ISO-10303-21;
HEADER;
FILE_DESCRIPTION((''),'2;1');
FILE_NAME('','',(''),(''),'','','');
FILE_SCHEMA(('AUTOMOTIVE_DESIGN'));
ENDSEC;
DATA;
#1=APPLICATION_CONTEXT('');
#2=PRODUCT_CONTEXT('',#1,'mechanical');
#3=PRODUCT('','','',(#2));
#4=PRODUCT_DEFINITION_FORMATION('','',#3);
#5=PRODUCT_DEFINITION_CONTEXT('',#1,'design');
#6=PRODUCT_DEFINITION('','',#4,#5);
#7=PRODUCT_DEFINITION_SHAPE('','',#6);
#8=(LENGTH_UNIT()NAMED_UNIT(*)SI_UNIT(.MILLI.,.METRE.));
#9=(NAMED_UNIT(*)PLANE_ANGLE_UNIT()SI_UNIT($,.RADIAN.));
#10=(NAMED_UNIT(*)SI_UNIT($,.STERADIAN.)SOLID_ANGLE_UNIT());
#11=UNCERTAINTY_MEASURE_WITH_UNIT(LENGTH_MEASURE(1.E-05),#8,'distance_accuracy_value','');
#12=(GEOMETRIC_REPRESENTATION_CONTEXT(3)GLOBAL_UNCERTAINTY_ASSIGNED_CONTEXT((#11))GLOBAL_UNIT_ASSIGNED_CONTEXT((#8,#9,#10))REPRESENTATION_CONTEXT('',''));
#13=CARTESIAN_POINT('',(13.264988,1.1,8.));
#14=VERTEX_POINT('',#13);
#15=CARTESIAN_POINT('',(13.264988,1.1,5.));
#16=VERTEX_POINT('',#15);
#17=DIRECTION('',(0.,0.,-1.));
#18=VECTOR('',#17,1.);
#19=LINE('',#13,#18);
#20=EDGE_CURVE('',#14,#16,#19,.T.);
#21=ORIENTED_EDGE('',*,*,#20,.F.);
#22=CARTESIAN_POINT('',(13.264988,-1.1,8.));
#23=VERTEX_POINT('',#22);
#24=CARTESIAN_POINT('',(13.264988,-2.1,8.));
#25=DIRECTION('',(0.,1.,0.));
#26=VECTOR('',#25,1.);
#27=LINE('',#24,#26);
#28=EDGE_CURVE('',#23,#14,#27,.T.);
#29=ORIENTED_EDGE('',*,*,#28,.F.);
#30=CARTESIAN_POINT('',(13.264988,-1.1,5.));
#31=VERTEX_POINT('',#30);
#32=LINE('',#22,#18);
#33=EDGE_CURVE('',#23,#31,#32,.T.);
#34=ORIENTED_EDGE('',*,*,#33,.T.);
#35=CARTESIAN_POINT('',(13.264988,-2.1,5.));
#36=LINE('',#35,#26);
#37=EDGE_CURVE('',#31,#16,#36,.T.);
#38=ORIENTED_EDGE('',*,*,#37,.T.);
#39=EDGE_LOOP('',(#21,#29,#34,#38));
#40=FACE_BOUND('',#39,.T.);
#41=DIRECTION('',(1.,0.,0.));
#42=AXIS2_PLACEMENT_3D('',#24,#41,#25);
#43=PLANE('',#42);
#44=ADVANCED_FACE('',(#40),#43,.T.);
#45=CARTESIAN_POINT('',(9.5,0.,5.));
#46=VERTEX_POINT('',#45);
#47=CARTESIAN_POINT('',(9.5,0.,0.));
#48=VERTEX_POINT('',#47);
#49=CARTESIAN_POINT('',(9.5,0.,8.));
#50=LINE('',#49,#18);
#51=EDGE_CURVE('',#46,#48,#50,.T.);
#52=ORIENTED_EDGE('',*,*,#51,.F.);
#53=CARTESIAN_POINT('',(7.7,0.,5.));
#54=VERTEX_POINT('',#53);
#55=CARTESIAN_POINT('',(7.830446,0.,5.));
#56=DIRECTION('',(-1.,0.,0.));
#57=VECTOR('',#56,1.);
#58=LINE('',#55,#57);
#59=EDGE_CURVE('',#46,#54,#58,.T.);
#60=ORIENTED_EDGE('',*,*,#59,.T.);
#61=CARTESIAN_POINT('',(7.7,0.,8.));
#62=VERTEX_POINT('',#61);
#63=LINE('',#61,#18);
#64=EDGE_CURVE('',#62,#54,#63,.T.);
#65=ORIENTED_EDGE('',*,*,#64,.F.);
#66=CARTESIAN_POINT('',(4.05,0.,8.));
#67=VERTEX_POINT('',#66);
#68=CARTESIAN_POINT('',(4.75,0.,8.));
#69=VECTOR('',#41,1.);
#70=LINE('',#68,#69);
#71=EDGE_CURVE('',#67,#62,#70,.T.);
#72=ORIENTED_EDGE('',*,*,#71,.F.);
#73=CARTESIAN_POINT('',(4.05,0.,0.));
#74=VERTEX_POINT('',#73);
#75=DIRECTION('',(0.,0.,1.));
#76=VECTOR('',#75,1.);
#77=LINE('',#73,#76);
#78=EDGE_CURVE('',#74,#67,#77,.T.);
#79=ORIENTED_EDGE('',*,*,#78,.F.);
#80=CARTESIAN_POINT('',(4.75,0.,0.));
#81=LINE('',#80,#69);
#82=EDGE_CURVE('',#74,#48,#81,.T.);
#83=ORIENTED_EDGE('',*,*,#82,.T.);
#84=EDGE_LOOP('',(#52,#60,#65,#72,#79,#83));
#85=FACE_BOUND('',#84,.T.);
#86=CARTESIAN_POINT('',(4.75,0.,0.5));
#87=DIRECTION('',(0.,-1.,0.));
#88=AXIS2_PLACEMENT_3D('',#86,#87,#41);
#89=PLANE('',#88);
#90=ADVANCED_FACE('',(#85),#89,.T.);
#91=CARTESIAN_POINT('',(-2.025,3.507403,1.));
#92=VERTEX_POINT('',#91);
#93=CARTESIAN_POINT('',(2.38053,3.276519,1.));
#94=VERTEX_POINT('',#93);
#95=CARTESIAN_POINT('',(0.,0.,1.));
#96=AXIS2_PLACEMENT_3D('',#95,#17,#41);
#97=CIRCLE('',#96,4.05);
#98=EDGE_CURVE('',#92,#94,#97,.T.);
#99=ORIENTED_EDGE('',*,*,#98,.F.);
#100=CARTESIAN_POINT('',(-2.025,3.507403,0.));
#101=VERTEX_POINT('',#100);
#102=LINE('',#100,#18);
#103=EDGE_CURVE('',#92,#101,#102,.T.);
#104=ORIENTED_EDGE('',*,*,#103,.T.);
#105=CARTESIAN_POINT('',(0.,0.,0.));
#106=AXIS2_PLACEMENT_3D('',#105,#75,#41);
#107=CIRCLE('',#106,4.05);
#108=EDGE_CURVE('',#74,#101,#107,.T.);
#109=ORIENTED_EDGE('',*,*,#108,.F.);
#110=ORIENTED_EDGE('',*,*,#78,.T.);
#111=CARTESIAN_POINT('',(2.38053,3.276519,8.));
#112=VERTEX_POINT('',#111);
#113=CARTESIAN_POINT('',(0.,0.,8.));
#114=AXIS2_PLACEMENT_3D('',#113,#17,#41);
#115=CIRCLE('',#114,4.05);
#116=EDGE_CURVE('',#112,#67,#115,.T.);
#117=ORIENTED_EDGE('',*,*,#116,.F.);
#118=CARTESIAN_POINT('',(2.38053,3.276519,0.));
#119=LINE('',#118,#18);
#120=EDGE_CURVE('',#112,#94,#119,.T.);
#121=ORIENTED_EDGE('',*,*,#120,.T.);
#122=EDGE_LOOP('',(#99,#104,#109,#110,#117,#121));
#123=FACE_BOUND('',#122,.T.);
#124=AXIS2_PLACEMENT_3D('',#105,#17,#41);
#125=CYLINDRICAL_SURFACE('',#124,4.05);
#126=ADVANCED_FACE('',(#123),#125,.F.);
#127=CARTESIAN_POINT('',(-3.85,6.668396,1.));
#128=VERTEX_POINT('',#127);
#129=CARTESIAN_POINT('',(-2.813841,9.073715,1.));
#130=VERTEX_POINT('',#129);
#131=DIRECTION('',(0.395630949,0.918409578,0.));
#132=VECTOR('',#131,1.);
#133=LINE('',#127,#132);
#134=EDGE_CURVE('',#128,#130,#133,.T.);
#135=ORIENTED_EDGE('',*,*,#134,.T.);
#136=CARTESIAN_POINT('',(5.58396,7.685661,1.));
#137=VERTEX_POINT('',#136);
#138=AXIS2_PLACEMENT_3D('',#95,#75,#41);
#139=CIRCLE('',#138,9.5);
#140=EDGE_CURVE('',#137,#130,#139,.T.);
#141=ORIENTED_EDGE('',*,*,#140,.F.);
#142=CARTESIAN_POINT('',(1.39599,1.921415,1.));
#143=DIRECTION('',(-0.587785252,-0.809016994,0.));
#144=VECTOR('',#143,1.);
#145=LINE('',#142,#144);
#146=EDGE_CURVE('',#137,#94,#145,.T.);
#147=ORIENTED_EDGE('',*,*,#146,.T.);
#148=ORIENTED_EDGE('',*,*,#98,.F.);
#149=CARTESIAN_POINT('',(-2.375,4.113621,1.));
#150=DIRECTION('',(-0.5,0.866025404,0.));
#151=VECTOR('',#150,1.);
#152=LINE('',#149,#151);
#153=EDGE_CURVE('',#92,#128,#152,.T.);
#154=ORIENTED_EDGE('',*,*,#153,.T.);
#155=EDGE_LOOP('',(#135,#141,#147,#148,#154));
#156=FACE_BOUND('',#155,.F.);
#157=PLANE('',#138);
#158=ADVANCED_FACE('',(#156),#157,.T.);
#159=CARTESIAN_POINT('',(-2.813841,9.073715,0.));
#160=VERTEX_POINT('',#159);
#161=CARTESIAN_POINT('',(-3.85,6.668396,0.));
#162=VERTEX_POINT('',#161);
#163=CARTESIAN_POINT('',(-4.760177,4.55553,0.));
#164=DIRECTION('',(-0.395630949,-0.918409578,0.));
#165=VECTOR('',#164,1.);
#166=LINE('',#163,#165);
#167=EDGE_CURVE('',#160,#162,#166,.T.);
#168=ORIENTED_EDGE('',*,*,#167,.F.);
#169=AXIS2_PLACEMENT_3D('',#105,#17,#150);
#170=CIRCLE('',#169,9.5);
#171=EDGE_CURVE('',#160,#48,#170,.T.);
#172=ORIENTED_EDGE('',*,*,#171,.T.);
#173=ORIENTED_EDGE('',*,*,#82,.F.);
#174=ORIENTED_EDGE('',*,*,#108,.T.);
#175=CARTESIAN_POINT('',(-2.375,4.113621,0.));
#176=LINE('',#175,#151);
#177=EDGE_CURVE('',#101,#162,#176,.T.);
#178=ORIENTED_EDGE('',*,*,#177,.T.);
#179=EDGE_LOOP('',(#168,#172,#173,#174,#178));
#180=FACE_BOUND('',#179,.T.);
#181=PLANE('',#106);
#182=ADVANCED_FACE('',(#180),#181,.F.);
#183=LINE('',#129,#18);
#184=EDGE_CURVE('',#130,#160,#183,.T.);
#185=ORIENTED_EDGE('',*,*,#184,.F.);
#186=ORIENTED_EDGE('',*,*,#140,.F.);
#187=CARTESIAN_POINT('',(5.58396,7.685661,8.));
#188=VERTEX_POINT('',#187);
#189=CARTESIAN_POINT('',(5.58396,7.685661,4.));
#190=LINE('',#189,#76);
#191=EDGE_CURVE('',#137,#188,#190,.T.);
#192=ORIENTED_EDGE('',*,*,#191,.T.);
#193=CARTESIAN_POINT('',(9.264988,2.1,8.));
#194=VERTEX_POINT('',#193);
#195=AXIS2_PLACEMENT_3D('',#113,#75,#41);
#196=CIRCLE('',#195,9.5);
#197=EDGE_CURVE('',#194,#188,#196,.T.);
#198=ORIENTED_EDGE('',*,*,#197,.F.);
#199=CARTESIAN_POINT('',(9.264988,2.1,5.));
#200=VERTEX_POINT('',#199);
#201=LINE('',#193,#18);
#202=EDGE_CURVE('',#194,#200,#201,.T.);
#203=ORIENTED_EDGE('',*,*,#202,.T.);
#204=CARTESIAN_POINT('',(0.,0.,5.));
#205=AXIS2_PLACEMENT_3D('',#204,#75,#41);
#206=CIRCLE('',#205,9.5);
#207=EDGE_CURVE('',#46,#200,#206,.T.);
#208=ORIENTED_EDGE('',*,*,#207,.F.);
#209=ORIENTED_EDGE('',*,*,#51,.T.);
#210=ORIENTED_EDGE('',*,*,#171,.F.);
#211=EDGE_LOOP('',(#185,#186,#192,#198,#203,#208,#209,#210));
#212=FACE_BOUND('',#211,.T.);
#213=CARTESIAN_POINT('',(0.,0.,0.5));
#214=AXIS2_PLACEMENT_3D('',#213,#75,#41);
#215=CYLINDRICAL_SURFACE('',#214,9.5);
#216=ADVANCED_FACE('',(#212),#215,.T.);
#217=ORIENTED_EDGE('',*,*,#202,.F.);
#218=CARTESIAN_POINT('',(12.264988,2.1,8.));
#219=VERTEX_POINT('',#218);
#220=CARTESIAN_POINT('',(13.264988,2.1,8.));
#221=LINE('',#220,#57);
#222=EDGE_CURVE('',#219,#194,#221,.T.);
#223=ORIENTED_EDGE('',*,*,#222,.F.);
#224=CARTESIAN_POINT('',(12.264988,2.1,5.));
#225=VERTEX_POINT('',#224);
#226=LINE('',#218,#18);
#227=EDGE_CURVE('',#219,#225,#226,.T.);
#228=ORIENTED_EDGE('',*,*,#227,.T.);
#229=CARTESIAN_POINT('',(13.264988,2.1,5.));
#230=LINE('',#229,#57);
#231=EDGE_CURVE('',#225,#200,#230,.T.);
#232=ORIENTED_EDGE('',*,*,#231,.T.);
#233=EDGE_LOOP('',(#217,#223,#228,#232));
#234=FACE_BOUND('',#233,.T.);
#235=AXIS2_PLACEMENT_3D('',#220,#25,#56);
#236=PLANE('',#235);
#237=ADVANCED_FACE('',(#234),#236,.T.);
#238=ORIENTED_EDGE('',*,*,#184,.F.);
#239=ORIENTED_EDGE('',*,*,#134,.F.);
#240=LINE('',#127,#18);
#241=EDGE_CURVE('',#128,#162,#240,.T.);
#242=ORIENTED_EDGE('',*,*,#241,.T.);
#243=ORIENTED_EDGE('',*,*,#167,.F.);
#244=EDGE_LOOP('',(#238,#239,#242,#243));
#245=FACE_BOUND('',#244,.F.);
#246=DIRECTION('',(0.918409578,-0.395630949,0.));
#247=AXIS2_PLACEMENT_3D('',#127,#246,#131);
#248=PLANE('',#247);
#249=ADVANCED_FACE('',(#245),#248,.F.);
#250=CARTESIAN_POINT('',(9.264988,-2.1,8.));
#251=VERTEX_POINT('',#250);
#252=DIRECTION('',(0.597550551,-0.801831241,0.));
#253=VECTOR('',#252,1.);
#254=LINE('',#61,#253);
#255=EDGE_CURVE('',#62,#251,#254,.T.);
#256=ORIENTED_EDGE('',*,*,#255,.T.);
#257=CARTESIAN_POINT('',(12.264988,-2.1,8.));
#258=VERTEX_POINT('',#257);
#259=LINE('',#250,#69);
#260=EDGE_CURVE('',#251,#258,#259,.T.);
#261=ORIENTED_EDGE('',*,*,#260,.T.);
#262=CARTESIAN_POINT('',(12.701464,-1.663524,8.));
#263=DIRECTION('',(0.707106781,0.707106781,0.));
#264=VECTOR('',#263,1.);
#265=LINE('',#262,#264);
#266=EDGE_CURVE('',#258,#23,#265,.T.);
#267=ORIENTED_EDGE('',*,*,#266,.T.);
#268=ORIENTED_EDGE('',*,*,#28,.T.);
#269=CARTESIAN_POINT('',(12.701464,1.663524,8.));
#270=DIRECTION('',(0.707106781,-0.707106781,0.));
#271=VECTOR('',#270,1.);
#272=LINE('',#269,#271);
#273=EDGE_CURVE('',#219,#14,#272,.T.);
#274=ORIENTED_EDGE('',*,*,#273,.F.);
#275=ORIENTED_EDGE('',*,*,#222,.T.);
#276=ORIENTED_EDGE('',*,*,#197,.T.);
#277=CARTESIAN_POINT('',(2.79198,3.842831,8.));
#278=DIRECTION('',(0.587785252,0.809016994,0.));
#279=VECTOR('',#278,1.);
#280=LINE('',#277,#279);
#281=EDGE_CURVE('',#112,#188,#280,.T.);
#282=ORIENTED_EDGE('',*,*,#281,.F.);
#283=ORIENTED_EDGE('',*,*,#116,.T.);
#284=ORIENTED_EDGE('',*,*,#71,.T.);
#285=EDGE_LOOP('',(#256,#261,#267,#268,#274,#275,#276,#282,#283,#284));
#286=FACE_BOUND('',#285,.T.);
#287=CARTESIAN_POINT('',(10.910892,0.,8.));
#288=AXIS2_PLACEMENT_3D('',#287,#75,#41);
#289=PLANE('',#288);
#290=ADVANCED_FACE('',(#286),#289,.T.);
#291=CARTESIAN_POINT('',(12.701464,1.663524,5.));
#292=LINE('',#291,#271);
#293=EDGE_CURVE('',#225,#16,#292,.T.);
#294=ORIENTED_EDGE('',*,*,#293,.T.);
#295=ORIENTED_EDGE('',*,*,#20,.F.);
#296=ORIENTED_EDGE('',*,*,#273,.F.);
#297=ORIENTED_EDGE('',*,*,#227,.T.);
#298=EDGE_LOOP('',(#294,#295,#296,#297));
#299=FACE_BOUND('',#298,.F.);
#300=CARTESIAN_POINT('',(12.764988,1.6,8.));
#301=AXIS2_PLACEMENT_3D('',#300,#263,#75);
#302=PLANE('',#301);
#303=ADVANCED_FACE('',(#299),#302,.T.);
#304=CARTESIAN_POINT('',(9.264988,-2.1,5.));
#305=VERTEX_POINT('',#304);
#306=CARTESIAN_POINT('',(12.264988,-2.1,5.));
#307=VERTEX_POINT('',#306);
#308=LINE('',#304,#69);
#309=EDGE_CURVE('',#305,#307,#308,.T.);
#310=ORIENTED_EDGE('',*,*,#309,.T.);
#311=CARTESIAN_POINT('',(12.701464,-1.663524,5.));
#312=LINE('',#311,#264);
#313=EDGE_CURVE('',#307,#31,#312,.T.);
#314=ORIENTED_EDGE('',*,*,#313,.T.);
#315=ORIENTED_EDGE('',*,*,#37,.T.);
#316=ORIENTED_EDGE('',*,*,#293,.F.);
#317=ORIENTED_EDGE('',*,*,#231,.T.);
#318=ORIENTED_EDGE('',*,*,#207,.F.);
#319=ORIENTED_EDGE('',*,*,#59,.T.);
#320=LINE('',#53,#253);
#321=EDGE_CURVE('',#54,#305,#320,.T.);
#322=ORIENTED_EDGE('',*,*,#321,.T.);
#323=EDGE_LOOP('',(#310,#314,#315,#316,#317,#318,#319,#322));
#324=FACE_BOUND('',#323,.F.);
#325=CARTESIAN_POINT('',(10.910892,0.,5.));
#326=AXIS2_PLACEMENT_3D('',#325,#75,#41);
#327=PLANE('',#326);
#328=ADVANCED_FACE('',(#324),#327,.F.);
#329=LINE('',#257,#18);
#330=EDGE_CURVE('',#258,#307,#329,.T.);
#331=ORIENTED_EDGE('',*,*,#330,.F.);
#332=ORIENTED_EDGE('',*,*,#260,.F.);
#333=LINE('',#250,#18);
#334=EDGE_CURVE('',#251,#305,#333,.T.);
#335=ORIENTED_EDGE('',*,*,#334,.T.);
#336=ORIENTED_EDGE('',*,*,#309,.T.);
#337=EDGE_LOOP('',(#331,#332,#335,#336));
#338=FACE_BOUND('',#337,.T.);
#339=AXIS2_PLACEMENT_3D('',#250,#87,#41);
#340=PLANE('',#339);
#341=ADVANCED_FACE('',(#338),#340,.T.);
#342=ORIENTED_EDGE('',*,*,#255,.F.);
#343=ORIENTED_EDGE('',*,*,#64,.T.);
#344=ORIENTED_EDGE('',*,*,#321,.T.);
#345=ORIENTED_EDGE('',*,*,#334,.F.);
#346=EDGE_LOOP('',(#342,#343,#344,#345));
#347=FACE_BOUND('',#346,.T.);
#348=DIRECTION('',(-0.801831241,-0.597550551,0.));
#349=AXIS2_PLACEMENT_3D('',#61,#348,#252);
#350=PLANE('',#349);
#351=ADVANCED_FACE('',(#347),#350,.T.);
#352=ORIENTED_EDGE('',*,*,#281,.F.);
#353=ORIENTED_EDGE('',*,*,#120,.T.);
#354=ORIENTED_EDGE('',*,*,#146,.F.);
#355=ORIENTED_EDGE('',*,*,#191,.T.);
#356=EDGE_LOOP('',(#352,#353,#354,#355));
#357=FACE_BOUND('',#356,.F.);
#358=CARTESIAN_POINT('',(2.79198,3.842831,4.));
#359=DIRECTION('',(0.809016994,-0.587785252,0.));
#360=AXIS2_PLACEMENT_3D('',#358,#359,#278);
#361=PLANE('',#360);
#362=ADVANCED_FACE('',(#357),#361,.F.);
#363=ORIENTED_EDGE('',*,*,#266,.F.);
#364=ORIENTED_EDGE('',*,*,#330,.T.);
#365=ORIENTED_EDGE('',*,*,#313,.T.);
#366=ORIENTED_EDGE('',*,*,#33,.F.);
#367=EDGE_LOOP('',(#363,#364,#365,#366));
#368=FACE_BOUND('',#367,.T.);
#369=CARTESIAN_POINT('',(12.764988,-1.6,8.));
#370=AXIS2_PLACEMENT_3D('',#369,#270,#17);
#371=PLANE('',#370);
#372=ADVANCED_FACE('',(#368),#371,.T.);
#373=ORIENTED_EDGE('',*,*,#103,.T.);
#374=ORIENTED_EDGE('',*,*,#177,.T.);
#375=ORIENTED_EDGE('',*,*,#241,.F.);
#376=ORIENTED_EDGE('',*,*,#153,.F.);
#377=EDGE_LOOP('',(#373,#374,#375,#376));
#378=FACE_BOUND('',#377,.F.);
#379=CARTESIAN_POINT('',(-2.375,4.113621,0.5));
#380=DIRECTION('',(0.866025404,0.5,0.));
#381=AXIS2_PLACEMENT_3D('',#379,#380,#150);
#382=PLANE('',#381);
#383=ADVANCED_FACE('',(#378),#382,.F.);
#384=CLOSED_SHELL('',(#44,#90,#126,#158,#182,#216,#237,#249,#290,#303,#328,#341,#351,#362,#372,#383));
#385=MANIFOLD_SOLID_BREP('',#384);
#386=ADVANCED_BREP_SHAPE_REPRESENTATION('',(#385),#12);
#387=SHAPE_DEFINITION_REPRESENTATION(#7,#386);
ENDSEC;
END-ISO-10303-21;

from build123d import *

# Parameters (mm, degrees)
EXTRUDE002_DEPTH           = 3
EXTRUDE002_PLACEMENT_ANGLE = 120
EXTRUDE001_DEPTH           = 3
CHAMFER_SIZE               = 1
CYLINDER001_R              = 4.05
CYLINDER001_DEPTH          = 10
CYLINDER002_W              = 9.5
CYLINDER002_H              = 8
CYLINDER002_ANGLE          = 54
CYLINDER_W                 = 9.5
CYLINDER_H                 = 1
CYLINDER_ANGLE             = 120


with BuildPart() as extrude002:
    # Sketch001 (on Face11 of Cut002) → Extrude002 (new body)
    with BuildSketch(Plane.XY.offset(8)):
        Polygon((13.2649878575, 2.1), (9.2649878575, 2.1), (7.7, 0), (9.2649878575, -2.1), (13.2649878575, -2.1), align=None)
    extrude(amount=-EXTRUDE002_DEPTH)


with BuildPart() as extrude002_1:
    # Extrude002 placement: moved
    add(extrude002.part.moved(Location((0, 0, -7))).rotate(Axis((0, 0, -7), (0, 0, 1)), EXTRUDE002_PLACEMENT_ANGLE))


with BuildPart() as chamfer_body:
    # Sketch001 (on Face11 of Cut002) → Extrude001 (new body)
    with BuildSketch(Plane.XY.offset(8)):
        Polygon((13.2649878575, 2.1), (9.2649878575, 2.1), (7.7, 0), (9.2649878575, -2.1), (13.2649878575, -2.1), align=None)
    extrude(amount=-EXTRUDE001_DEPTH)

    # Chamfer
    chamfer_edges = [chamfer_body.edges().sort_by_distance(p)[0] for p in [
        (13.264988, 2.1, 6.5),
        (13.264988, -2.1, 6.5),
    ]]
    chamfer(chamfer_edges, length=CHAMFER_SIZE)


with BuildPart() as cylinder001:
    # Cylinder001 → Cylinder001 (new body)
    with BuildSketch(Plane.XY):
        Circle(CYLINDER001_R)
    extrude(amount=CYLINDER001_DEPTH)


with BuildPart() as cylinder002:
    # Cylinder002 → Cylinder002 (revolve)
    with BuildSketch(Plane.XZ):
        with Locations((4.75, 4)):
            Rectangle(CYLINDER002_W, CYLINDER002_H)
    revolve(axis=Axis((0, 0, 0), (0, 0, 1)), revolution_arc=CYLINDER002_ANGLE)


with BuildPart() as cut003:
    # Cylinder → Cylinder (revolve)
    with BuildSketch(Plane.XZ):
        with Locations((4.75, 0.5)):
            Rectangle(CYLINDER_W, CYLINDER_H)
    revolve(axis=Axis((0, 0, 0), (0, 0, 1)), revolution_arc=CYLINDER_ANGLE)

    # Fusion: union Cylinder002
    add(cylinder002.part)

    # Cut002: cut Cylinder001
    add(cylinder001.part, mode=Mode.SUBTRACT)

    # Fusion001: union Chamfer body
    add(chamfer_body.part)

    # Cut003: cut Extrude002
    add(extrude002_1.part, mode=Mode.SUBTRACT)


solid = cut003.part
